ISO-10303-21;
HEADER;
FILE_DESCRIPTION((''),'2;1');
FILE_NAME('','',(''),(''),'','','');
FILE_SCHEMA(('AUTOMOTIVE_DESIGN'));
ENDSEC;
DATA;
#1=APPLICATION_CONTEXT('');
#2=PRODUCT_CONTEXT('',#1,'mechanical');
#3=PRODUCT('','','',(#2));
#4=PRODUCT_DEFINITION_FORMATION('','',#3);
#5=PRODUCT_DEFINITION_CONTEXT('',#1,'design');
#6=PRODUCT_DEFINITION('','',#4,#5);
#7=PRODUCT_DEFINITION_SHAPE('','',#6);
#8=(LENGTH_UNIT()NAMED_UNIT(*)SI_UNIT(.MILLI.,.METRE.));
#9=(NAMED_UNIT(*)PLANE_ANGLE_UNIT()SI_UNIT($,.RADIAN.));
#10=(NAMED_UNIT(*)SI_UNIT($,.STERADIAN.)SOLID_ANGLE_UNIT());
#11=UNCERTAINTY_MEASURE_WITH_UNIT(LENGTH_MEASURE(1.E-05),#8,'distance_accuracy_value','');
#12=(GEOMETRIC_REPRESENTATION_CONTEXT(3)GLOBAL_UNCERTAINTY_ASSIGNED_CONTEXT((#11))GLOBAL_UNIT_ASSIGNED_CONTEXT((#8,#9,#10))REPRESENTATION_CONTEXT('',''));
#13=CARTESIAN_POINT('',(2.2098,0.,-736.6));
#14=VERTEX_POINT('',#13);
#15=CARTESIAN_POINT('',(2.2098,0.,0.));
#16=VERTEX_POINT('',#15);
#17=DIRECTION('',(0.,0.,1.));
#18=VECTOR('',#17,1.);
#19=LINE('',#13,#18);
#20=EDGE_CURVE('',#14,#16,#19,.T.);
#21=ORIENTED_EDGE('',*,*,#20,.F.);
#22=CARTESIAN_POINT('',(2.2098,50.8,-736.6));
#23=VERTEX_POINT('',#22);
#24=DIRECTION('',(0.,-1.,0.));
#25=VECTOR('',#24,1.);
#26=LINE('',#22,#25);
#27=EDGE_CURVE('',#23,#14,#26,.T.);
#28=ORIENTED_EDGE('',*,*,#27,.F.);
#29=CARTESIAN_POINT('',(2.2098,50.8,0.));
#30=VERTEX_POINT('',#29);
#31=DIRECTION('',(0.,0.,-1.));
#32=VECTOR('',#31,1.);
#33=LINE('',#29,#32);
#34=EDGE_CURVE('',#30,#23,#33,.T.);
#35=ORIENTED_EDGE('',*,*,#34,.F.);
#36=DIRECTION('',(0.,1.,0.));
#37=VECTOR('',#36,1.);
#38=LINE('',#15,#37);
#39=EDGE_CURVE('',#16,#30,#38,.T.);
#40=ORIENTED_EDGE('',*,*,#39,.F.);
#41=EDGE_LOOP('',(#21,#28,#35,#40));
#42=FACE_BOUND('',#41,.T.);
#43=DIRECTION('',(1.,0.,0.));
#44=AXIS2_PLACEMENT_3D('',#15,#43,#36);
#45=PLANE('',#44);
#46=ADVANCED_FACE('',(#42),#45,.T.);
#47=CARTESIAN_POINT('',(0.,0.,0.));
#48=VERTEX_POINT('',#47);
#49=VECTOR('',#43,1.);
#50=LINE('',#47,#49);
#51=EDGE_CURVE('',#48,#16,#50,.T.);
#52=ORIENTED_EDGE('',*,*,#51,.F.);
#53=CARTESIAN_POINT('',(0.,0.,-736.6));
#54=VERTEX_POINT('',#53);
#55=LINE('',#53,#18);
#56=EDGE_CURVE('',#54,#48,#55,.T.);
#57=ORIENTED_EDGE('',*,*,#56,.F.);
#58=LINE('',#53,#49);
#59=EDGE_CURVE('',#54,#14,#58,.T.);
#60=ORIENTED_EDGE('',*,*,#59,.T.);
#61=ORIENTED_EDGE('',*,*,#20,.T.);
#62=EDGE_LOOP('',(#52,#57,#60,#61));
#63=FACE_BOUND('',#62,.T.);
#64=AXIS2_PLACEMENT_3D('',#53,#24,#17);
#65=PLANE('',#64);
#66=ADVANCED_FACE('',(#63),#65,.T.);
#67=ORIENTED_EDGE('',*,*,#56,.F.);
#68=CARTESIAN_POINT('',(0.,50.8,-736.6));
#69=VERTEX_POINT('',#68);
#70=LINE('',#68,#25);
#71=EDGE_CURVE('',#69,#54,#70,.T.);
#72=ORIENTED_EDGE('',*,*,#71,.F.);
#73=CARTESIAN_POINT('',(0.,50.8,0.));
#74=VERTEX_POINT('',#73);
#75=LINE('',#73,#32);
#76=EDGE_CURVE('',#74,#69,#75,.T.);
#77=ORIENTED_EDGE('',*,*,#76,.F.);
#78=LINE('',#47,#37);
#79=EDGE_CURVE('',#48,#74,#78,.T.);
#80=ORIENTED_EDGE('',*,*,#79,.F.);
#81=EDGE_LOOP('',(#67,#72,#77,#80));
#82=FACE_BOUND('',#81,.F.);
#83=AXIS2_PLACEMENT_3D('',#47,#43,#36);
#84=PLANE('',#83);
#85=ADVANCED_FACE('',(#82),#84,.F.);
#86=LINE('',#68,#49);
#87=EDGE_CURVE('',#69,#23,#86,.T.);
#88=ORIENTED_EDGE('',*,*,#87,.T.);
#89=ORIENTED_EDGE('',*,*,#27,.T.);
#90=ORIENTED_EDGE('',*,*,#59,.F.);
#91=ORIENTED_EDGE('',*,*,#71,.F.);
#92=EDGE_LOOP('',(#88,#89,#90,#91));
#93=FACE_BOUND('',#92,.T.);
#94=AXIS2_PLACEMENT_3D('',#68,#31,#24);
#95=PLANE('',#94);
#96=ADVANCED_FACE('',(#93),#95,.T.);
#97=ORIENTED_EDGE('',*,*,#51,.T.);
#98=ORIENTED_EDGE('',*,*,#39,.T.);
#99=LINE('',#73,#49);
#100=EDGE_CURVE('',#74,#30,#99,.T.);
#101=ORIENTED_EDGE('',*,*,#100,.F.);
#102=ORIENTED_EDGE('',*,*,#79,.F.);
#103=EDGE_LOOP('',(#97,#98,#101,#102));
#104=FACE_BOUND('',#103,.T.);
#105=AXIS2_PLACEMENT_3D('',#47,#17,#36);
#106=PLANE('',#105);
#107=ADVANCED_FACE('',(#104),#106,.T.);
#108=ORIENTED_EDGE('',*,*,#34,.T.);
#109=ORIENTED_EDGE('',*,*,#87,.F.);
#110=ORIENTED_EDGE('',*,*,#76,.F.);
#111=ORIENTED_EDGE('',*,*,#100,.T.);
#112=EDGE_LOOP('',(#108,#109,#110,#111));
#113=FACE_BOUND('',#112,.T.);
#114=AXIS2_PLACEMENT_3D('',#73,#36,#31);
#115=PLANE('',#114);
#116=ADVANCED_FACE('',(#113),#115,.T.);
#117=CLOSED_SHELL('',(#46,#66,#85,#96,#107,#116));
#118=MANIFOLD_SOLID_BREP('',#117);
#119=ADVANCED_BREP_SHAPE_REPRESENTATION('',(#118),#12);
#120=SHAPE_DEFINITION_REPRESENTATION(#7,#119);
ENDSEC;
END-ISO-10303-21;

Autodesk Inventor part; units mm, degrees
ref_plane "YZ Plane" through (0, 0, 0) normal (1, 0, 0) x (0, 1, 0)
ref_plane "XZ Plane" through (0, 0, 0) normal (0, 1, 0) x (-1, 0, 0)
ref_plane "XY Plane" through (0, 0, 0) normal (0, 0, 1) x (1, 0, 0)
sketch "Sketch2" plane through (0, 0, 0) normal (1, 0, 0) x (0, 1, 0)
  line L0 (0, 0) -> (50.8, 0)
  line L1 (50.8, 0) -> (50.8, -736.6)
  line L2 (50.8, -736.6) -> (0, -736.6)
  line L3 (0, -736.6) -> (0, 0)
  dimension "d5" = 50.8
  dimension "d6" = 736.6
extrude "Extrusion2" add sketch "Sketch2" along normal blind 2.2098
properties part number "Sheet Metal side"
